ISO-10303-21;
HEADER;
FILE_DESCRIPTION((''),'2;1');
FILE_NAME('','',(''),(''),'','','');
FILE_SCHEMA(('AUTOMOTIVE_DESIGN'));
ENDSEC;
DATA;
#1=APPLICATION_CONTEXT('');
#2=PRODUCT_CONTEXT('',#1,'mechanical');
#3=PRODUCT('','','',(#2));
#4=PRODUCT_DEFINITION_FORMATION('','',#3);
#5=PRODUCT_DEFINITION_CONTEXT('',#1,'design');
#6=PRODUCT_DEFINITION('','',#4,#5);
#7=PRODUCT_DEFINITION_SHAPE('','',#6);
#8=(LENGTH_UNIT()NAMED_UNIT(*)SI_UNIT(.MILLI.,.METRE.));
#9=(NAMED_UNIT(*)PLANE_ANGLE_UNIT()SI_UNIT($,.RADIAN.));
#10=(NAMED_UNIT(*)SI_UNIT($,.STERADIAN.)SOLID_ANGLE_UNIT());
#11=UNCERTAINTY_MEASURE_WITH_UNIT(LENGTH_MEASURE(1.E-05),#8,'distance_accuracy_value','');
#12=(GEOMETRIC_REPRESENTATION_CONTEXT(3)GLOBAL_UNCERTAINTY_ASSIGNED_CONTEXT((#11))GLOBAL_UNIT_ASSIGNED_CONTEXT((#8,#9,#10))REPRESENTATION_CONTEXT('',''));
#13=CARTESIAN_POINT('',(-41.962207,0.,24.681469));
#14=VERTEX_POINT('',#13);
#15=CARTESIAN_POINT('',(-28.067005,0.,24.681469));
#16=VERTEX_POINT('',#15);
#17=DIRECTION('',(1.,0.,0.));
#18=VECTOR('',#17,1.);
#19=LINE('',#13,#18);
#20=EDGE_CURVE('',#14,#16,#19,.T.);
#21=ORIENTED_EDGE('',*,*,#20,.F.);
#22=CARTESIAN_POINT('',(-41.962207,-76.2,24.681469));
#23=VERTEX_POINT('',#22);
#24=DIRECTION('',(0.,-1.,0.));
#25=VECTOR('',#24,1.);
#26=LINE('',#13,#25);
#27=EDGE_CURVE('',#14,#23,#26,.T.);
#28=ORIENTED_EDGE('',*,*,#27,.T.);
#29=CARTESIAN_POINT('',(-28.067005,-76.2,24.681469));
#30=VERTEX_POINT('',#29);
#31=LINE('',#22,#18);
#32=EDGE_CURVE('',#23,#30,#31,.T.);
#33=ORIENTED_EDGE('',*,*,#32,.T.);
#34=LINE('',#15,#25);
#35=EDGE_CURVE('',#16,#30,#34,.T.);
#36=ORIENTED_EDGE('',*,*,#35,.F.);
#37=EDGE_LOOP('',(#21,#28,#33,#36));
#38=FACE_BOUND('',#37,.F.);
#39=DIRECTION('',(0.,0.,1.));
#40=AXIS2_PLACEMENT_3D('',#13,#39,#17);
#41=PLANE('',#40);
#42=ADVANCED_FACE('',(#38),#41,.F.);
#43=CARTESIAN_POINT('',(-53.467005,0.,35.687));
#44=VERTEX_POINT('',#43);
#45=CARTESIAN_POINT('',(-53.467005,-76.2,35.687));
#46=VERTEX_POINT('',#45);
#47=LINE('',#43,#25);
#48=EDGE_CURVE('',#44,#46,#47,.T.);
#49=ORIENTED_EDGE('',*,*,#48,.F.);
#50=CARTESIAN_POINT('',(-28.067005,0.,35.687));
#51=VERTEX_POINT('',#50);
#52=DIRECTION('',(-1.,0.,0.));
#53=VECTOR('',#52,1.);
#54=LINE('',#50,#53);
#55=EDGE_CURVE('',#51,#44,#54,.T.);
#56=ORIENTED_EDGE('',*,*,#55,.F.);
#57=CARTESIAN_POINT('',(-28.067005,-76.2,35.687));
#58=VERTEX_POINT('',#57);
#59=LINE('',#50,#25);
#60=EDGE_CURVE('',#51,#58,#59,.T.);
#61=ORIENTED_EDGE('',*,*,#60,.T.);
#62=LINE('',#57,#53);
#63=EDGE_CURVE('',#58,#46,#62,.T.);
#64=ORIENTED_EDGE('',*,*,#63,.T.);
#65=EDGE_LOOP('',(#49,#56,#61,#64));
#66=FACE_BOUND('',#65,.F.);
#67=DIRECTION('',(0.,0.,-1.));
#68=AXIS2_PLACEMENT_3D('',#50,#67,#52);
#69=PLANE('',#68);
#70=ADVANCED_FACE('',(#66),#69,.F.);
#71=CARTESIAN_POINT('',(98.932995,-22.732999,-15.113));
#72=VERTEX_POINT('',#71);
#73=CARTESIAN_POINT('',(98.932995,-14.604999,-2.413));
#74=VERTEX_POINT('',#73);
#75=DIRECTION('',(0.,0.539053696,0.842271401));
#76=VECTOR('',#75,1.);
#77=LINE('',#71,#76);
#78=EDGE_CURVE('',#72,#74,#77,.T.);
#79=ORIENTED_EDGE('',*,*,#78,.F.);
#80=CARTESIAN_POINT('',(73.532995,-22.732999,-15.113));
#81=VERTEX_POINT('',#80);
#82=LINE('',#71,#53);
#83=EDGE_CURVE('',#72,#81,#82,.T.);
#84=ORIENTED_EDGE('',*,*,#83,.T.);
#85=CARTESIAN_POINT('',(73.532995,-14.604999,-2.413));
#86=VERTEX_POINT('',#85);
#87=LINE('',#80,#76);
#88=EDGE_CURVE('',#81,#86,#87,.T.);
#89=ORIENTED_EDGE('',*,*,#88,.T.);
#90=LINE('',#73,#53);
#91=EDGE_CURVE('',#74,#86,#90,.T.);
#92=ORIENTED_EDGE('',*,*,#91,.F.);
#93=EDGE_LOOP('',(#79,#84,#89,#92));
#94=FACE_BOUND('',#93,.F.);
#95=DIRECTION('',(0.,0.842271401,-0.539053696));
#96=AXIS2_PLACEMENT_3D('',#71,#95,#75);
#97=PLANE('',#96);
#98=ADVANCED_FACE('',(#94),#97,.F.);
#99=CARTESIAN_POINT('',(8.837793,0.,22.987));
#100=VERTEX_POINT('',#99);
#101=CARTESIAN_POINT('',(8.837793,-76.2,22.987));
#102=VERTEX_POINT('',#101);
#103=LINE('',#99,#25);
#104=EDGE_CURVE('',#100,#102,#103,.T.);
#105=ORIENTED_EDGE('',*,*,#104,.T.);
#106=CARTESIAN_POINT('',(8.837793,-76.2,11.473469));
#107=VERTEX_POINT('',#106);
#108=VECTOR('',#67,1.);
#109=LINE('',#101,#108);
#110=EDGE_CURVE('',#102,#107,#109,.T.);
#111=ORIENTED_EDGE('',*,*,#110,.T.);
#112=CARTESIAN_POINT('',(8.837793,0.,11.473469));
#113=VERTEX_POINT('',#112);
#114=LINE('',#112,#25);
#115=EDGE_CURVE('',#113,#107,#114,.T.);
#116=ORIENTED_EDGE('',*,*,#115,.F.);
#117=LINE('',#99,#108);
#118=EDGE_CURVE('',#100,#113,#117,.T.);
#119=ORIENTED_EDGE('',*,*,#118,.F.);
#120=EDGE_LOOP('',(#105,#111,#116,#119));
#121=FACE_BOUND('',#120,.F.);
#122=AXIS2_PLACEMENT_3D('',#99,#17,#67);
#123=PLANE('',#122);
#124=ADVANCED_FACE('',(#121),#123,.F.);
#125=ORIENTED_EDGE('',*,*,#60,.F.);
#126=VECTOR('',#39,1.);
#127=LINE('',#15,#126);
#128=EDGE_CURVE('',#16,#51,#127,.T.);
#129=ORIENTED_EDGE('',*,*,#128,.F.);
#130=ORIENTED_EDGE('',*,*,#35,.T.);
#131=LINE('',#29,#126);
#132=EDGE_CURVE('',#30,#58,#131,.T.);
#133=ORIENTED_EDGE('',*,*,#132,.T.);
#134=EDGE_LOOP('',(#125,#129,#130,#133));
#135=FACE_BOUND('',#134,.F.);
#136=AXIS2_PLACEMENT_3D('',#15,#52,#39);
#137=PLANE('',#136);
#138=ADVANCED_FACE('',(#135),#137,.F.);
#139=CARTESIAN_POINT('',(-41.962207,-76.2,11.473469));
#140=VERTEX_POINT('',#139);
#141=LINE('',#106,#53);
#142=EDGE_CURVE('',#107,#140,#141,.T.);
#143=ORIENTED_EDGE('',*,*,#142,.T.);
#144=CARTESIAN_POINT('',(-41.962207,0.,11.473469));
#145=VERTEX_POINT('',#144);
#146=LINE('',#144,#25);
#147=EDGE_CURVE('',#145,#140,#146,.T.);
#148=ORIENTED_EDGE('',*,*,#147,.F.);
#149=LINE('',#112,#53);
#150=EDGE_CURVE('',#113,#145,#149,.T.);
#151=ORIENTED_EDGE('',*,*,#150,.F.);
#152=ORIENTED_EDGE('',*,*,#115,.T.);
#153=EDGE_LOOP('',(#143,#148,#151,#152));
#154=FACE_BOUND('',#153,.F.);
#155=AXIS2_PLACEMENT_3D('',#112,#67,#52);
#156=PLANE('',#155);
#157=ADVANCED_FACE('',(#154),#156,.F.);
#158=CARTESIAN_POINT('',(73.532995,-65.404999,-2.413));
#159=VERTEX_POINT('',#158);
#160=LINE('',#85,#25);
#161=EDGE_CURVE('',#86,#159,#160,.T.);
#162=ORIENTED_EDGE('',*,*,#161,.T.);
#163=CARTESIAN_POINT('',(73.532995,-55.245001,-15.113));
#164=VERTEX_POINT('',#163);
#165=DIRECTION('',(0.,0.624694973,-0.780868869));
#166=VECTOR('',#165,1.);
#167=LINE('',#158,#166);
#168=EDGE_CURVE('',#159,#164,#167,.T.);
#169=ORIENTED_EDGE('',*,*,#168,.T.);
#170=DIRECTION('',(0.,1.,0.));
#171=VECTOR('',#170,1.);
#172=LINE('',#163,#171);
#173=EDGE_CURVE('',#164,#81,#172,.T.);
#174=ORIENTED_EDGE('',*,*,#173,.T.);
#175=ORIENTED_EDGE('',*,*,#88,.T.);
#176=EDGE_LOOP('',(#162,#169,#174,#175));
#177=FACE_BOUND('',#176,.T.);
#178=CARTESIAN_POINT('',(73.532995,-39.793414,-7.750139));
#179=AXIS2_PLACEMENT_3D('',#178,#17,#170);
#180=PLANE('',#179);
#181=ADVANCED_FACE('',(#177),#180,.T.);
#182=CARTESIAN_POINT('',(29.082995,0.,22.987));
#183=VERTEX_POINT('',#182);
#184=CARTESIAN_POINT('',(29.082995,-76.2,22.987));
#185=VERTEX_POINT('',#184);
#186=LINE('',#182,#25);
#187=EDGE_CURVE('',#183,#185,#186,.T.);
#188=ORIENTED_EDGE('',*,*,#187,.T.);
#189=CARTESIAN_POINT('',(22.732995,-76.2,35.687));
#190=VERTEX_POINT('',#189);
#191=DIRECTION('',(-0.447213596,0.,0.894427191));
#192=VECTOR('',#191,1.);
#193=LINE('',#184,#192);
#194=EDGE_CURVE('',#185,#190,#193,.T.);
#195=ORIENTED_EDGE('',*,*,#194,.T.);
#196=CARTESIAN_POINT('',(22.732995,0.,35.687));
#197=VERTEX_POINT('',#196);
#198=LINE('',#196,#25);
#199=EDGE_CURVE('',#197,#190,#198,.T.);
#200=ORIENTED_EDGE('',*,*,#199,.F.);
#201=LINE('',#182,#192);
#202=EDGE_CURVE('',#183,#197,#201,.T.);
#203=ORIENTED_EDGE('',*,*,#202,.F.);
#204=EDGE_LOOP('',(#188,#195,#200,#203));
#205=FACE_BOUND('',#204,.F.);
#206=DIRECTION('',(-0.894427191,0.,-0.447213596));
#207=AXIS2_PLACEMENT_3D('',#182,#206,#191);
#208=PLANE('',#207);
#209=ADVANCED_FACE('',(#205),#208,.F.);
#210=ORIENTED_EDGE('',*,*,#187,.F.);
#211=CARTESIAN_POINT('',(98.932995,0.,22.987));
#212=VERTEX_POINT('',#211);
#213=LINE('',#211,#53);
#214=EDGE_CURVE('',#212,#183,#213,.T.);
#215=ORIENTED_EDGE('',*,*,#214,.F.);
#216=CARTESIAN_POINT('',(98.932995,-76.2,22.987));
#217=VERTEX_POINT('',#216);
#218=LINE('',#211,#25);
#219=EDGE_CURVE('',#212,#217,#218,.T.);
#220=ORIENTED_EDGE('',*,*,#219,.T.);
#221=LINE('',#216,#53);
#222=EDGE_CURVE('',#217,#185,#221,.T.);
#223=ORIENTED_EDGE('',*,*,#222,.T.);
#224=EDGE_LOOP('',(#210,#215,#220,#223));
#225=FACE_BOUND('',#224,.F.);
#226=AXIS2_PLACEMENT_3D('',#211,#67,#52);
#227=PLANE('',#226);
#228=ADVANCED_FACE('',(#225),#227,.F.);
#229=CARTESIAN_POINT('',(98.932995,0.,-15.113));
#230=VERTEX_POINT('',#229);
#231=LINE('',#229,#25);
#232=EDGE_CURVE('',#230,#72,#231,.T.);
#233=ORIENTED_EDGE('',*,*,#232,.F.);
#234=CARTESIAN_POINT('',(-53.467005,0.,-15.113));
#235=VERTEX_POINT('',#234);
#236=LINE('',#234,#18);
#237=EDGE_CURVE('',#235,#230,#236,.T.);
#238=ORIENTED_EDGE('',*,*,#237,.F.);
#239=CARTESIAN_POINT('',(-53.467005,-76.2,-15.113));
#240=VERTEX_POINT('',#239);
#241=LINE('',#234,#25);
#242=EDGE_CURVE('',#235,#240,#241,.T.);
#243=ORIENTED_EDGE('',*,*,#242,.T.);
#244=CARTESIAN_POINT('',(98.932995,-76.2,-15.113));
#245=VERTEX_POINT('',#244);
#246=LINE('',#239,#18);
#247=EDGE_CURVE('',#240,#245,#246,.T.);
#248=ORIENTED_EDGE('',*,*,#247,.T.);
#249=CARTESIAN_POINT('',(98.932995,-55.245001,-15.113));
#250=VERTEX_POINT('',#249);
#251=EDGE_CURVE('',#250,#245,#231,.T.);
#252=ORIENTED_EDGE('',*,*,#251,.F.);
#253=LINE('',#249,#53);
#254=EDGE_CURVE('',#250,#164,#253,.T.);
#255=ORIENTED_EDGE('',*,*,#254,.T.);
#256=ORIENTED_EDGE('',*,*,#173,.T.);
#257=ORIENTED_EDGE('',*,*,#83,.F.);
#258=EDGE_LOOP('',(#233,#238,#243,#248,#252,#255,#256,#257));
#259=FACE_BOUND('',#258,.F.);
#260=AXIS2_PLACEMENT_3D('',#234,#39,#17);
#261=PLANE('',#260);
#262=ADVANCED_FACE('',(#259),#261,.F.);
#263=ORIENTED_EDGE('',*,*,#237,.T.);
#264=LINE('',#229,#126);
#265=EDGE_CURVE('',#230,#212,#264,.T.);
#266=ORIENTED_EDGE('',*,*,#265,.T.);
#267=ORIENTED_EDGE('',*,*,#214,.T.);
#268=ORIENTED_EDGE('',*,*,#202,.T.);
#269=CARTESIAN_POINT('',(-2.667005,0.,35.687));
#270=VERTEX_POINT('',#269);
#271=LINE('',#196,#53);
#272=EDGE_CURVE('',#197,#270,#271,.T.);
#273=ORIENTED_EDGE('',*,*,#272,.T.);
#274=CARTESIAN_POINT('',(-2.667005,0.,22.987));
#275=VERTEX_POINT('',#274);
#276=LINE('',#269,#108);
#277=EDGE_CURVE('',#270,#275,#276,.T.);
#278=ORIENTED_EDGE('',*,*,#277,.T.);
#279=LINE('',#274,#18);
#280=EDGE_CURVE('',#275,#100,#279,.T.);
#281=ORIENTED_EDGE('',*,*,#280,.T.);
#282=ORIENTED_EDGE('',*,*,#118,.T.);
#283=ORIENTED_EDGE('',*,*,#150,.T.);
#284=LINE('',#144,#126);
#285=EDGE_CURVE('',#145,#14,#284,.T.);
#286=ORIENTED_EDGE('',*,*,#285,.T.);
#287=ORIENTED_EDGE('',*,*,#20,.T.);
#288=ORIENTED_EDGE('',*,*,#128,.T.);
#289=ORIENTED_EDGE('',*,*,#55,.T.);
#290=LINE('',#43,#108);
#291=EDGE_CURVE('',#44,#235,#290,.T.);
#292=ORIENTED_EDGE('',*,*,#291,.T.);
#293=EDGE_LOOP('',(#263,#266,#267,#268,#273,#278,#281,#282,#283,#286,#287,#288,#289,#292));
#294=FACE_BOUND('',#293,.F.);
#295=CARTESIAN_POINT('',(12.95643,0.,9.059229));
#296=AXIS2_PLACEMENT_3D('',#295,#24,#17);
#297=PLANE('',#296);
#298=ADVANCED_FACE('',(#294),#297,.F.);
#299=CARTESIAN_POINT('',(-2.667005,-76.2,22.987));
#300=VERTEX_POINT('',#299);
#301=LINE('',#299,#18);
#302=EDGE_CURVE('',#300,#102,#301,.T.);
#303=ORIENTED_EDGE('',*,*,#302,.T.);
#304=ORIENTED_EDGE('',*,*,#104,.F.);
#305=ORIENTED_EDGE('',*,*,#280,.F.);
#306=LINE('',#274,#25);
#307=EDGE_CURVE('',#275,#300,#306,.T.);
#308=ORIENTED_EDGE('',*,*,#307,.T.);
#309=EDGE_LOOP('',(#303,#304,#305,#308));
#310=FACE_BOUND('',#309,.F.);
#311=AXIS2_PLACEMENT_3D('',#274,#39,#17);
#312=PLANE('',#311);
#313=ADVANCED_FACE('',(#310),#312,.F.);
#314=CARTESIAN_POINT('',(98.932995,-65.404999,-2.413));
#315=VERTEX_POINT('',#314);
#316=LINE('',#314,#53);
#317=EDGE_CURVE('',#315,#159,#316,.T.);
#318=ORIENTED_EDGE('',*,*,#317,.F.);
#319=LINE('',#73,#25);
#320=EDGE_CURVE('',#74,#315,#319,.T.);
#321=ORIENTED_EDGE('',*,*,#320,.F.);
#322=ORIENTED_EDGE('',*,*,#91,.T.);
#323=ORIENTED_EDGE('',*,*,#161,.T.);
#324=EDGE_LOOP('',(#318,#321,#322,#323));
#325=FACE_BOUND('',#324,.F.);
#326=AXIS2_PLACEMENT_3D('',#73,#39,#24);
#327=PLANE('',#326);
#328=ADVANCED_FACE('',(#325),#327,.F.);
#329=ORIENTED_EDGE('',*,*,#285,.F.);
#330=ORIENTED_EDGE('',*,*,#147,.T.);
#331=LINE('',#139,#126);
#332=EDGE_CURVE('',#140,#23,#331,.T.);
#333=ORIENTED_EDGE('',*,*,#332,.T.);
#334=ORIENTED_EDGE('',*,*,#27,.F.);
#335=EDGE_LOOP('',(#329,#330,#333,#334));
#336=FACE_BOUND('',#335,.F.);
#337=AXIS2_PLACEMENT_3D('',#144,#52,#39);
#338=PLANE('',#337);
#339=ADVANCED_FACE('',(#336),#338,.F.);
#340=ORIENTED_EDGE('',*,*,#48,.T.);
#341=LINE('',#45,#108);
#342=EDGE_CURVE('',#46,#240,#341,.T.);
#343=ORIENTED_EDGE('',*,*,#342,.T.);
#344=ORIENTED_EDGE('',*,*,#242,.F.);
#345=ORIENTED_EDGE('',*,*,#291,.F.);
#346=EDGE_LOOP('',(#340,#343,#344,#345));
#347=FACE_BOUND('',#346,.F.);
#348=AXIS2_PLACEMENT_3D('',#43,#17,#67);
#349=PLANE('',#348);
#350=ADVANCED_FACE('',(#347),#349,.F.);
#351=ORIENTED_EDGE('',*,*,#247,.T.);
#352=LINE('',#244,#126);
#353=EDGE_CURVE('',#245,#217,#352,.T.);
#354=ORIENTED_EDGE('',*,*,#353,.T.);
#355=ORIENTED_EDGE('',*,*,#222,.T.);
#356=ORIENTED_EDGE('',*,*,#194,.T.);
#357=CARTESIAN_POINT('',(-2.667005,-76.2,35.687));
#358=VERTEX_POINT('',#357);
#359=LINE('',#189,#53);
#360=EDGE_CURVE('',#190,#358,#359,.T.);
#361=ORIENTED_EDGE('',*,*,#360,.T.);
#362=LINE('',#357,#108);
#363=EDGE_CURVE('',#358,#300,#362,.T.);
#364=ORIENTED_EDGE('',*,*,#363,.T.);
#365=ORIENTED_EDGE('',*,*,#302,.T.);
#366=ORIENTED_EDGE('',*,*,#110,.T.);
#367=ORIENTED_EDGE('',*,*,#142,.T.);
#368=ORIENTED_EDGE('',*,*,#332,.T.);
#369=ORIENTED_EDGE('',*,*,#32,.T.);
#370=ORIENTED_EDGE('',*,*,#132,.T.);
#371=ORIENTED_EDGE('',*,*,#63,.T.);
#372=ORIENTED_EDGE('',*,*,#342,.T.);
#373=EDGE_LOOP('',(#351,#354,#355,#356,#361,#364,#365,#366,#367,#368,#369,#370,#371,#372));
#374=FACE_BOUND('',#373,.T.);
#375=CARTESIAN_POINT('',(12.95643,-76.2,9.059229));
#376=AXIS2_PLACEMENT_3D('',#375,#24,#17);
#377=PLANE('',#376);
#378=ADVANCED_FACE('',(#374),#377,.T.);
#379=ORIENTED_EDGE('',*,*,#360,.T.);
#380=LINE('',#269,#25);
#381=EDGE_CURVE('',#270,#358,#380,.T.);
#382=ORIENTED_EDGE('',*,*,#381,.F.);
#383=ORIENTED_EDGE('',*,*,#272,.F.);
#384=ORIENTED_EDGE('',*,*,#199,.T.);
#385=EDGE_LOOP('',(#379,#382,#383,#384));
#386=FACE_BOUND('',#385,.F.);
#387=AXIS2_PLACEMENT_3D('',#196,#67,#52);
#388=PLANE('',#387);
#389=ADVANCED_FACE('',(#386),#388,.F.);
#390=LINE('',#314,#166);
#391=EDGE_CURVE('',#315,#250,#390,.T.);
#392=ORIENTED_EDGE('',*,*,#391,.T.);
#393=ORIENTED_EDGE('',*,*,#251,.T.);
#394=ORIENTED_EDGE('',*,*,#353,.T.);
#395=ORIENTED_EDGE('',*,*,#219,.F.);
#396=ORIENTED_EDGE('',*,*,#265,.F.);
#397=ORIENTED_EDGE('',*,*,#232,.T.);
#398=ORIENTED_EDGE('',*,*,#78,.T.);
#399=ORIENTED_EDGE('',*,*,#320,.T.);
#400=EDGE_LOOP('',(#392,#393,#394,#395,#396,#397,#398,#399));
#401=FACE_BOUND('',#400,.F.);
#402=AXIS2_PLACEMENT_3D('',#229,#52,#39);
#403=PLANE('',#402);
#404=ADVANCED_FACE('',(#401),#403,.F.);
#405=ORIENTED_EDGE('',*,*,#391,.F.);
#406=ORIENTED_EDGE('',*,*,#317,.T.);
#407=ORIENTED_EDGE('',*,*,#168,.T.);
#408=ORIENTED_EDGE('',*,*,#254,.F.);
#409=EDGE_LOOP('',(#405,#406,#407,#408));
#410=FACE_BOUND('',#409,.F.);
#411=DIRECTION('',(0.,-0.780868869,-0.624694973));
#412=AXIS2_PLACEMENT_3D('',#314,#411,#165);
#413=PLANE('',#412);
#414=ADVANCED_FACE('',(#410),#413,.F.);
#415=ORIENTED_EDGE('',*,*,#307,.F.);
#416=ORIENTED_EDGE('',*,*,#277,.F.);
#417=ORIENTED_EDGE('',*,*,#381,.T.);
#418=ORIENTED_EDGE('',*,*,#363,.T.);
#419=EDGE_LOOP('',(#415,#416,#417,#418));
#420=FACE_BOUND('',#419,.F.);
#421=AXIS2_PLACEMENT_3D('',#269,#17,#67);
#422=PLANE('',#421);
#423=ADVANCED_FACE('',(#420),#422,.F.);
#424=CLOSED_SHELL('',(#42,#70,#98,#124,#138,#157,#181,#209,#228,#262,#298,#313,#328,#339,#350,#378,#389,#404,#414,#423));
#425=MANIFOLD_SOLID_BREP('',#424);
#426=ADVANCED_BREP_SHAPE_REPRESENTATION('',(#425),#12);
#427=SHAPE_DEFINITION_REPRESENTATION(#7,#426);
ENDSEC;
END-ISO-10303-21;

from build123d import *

# Parameters (mm, degrees)
F1_DEPTH = 76.2
F3_DEPTH = 25.4


with BuildPart() as f1:
    # F0 (on Front) → F1 (new body)
    with BuildSketch(Plane.XZ):
        Polygon((-53.467005, 35.687), (-53.467005, -15.113), (98.932995, -15.113), (98.932995, 22.987), (29.082995, 22.987), (22.732995, 35.687), (-2.667005, 35.687), (-2.667005, 22.987), (8.837793, 22.987), (8.837793, 11.473469), (-41.962207, 11.473469), (-41.962207, 24.681469), (-28.067005, 24.681469), (-28.067005, 35.687), align=None)
    extrude(amount=F1_DEPTH)

    # F2 (on face) → F3 (cut)
    with BuildSketch(Plane.YZ.offset(98.932995)):
        Polygon((-14.604999, -2.413), (-65.404999, -2.413), (-55.245001, -15.113), (-22.732999, -15.113), align=None)
    extrude(amount=-F3_DEPTH, mode=Mode.SUBTRACT)


solid = f1.part
